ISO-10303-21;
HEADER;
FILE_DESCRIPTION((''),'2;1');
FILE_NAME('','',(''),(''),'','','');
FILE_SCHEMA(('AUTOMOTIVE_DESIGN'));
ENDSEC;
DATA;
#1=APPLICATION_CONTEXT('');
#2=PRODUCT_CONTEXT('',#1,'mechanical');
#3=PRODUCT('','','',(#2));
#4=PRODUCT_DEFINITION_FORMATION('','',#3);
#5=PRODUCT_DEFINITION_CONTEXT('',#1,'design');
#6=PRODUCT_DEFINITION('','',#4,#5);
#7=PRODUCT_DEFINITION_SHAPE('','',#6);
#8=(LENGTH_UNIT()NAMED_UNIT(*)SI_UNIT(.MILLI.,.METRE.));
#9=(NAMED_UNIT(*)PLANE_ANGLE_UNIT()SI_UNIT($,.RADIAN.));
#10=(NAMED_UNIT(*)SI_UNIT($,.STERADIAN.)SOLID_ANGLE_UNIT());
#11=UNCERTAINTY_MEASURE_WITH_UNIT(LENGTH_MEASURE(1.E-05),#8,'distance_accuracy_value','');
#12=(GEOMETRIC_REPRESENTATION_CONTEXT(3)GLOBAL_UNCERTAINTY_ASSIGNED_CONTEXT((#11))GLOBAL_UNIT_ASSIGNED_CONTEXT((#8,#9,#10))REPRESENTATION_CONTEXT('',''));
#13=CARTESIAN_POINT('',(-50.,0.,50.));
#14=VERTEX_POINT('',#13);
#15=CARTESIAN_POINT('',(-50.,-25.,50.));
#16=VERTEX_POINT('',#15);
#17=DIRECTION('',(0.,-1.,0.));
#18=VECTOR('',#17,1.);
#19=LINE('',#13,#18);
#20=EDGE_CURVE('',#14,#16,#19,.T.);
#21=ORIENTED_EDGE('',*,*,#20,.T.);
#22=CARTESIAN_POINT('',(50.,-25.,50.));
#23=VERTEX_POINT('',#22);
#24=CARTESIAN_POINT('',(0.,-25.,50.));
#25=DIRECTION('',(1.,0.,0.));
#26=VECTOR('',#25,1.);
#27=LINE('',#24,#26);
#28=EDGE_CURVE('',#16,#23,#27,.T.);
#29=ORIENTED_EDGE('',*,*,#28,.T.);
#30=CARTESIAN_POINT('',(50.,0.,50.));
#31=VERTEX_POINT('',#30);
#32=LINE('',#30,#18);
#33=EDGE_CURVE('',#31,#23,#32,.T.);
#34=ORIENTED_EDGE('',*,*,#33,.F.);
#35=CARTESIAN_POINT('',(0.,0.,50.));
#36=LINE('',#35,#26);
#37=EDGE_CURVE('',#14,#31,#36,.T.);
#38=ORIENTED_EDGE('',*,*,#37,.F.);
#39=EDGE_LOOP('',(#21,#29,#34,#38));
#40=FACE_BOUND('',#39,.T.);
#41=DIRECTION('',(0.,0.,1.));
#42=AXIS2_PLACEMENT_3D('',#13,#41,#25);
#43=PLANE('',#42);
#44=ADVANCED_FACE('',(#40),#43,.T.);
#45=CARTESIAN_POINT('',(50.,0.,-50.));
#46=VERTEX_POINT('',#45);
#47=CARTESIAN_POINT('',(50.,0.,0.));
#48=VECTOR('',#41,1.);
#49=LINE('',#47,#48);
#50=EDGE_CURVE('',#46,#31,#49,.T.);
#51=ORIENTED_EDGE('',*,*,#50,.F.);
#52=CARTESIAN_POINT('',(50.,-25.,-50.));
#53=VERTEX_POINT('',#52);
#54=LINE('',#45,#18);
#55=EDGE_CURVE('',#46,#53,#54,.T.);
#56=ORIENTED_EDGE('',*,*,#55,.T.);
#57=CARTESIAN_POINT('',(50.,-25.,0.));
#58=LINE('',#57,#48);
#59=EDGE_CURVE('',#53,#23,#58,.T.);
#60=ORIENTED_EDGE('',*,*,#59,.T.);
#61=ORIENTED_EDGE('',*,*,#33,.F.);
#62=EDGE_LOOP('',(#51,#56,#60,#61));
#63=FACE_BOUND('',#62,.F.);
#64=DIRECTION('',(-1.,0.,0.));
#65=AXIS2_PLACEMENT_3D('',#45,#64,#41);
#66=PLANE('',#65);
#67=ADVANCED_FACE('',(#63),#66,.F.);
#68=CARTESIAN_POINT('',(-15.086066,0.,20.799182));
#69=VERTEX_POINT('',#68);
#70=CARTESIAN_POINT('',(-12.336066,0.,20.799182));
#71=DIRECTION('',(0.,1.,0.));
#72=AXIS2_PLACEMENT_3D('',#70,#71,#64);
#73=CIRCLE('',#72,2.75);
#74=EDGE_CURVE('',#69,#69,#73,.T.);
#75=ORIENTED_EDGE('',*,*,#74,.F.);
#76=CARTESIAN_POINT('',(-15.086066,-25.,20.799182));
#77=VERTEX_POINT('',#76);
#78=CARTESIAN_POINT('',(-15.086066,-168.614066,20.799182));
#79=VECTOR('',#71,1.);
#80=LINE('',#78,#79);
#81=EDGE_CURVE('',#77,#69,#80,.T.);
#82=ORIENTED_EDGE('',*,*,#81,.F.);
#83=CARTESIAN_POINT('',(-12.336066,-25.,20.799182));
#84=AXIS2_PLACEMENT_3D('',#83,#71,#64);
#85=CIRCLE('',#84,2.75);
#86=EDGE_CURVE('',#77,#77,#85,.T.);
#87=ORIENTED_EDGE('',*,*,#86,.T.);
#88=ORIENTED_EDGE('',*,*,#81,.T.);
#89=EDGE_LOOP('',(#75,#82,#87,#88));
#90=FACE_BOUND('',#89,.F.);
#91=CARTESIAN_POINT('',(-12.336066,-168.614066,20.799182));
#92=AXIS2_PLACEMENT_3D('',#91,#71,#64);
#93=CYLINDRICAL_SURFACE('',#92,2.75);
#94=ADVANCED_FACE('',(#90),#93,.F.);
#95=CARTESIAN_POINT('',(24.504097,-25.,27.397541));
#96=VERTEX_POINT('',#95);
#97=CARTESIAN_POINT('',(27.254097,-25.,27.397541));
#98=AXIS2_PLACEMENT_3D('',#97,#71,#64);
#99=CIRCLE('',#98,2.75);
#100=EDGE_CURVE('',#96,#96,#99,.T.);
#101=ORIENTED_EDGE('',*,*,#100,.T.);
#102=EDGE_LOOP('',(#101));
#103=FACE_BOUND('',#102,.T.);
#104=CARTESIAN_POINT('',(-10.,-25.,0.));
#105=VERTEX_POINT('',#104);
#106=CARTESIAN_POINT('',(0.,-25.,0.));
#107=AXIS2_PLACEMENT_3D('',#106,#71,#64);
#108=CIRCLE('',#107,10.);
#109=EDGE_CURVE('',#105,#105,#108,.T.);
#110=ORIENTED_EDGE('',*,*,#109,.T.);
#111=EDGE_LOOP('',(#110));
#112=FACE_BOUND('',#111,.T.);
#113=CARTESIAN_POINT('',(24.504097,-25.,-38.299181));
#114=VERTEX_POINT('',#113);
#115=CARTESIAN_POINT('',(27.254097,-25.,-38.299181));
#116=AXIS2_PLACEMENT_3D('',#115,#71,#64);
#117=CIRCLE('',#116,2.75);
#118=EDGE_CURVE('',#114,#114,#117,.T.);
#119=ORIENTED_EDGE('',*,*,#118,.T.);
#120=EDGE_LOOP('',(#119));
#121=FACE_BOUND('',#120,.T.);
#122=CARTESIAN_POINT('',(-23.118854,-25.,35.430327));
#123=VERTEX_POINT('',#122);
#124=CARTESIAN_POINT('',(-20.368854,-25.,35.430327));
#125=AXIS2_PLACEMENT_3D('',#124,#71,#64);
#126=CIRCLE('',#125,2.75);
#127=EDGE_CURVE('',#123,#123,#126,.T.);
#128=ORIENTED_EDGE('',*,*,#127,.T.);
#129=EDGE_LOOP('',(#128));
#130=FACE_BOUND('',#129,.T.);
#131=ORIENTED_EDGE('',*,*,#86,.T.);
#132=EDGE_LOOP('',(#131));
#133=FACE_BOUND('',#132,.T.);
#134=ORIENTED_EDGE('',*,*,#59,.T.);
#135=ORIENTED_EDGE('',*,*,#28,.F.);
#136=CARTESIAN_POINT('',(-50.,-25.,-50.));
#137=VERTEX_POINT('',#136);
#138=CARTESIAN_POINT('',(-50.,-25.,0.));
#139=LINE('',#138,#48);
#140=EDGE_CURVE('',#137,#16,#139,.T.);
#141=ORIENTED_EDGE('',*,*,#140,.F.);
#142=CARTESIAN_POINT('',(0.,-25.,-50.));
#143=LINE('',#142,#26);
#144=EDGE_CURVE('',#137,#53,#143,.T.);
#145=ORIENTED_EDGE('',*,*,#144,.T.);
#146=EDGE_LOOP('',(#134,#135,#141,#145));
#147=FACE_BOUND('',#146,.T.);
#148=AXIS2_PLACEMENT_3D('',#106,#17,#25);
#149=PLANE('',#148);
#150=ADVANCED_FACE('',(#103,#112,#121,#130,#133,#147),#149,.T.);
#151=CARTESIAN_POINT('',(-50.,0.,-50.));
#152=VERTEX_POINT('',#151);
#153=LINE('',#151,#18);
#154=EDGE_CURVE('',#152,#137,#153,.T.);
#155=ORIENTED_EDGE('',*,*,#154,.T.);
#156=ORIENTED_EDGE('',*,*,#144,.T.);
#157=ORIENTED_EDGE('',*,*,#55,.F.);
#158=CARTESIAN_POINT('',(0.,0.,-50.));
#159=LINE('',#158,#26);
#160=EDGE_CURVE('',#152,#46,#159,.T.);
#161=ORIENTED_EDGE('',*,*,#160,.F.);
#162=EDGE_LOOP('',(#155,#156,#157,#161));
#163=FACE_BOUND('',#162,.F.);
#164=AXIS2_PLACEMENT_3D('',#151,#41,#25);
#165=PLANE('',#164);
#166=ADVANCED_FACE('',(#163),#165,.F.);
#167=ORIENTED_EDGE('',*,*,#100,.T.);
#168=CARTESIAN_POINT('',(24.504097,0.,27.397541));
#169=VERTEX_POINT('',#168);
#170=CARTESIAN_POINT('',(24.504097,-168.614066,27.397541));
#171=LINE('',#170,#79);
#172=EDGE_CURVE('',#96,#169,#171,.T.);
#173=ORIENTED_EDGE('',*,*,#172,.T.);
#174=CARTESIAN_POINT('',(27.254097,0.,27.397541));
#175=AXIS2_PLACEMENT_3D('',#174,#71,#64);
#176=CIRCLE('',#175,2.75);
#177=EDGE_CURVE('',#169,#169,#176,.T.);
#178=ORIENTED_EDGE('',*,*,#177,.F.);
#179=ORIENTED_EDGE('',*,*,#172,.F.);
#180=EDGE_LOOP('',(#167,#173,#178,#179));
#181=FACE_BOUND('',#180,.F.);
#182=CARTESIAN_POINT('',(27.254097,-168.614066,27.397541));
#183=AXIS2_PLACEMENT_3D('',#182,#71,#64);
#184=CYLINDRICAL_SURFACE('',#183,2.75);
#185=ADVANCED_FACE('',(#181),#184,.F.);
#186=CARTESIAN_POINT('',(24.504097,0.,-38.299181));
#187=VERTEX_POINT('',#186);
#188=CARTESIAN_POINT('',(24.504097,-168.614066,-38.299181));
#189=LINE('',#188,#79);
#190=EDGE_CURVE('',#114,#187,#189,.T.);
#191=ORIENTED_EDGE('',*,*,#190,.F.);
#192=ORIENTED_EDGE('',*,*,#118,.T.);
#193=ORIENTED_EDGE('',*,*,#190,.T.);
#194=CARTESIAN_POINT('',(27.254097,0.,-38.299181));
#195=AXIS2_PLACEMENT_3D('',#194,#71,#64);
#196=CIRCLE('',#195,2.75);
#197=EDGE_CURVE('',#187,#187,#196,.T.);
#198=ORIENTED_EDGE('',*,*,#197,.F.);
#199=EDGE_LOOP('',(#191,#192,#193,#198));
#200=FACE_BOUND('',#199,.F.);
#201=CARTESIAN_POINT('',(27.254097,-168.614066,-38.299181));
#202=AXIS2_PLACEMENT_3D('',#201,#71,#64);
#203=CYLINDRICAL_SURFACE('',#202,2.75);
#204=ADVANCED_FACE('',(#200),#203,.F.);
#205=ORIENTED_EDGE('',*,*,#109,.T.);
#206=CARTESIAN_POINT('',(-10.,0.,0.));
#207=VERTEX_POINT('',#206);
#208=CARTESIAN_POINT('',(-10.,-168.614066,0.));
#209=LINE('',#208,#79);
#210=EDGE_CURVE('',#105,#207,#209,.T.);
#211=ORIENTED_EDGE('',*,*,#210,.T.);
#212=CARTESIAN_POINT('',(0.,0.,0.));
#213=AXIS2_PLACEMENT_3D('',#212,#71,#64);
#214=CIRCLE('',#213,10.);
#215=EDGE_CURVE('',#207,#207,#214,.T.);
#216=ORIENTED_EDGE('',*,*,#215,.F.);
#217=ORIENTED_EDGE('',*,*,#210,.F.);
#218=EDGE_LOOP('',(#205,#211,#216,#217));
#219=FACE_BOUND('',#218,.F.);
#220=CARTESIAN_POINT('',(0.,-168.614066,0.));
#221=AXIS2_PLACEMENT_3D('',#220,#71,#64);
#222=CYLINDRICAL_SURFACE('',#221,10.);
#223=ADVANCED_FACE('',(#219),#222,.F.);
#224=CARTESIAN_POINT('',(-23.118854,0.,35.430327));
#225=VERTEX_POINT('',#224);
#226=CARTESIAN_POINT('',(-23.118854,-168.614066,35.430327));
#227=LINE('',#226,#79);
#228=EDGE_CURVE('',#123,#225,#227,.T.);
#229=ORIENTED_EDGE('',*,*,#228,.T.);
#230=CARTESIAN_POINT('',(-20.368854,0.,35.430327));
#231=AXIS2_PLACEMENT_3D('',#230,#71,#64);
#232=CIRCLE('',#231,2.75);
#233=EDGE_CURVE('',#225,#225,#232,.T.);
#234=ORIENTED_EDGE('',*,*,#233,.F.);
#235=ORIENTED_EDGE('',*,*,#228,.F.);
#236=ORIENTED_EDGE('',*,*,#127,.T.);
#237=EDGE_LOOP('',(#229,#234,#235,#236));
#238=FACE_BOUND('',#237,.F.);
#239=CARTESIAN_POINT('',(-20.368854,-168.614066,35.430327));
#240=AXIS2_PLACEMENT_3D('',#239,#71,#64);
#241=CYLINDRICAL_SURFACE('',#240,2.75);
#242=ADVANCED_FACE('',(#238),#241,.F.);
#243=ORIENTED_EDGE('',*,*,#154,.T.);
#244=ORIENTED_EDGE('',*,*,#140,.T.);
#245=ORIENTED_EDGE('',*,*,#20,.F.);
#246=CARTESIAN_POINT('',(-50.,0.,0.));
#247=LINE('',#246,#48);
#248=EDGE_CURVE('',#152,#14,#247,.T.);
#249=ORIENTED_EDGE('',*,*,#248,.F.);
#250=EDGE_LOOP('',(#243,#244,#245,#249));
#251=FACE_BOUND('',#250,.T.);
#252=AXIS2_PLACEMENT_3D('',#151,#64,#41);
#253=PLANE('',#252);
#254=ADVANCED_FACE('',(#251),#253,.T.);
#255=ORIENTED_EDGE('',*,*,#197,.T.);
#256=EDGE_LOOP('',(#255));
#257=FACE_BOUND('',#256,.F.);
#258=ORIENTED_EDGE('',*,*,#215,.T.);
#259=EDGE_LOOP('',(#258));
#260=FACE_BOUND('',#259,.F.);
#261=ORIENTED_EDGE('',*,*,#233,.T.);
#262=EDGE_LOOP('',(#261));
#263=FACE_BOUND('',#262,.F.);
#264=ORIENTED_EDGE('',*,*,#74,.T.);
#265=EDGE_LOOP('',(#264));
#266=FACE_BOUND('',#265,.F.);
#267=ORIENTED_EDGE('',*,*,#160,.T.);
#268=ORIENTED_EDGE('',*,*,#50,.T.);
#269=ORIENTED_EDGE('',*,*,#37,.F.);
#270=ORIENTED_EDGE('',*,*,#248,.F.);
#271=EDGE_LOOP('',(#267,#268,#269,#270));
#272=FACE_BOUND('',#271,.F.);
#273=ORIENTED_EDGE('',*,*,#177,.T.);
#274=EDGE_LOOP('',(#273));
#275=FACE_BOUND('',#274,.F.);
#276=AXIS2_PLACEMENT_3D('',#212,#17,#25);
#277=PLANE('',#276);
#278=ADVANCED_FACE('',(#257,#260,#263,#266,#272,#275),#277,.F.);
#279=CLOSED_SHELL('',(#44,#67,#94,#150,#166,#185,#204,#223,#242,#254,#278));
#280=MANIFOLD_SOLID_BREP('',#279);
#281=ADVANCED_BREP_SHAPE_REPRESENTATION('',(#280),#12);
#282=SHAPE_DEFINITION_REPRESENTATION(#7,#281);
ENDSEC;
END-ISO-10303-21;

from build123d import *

# Parameters (mm, degrees)
F0_W     = 100
F0_H     = 100
F1_DEPTH = 25
F3_D     = 20
F6_D     = 5.5


with BuildPart() as f1:
    # F0 (on Front) → F1 (new body)
    with BuildSketch(Plane.XZ):
        Rectangle(F0_W, F0_H)
    extrude(amount=F1_DEPTH)

    # F3 (through all)
    with Locations(Plane.XZ.offset(25)):
        with Locations((0, 0)):
            Hole(F3_D / 2)

    # F6 (through all)
    with Locations(Plane.XZ.offset(25)):
        with Locations((27.2540971637, 27.3975413293), (-12.3360659927, 20.7991823554), (-20.3688535839, 35.4303270578), (27.2540971637, -38.2991805673)):
            Hole(F6_D / 2)


solid = f1.part
